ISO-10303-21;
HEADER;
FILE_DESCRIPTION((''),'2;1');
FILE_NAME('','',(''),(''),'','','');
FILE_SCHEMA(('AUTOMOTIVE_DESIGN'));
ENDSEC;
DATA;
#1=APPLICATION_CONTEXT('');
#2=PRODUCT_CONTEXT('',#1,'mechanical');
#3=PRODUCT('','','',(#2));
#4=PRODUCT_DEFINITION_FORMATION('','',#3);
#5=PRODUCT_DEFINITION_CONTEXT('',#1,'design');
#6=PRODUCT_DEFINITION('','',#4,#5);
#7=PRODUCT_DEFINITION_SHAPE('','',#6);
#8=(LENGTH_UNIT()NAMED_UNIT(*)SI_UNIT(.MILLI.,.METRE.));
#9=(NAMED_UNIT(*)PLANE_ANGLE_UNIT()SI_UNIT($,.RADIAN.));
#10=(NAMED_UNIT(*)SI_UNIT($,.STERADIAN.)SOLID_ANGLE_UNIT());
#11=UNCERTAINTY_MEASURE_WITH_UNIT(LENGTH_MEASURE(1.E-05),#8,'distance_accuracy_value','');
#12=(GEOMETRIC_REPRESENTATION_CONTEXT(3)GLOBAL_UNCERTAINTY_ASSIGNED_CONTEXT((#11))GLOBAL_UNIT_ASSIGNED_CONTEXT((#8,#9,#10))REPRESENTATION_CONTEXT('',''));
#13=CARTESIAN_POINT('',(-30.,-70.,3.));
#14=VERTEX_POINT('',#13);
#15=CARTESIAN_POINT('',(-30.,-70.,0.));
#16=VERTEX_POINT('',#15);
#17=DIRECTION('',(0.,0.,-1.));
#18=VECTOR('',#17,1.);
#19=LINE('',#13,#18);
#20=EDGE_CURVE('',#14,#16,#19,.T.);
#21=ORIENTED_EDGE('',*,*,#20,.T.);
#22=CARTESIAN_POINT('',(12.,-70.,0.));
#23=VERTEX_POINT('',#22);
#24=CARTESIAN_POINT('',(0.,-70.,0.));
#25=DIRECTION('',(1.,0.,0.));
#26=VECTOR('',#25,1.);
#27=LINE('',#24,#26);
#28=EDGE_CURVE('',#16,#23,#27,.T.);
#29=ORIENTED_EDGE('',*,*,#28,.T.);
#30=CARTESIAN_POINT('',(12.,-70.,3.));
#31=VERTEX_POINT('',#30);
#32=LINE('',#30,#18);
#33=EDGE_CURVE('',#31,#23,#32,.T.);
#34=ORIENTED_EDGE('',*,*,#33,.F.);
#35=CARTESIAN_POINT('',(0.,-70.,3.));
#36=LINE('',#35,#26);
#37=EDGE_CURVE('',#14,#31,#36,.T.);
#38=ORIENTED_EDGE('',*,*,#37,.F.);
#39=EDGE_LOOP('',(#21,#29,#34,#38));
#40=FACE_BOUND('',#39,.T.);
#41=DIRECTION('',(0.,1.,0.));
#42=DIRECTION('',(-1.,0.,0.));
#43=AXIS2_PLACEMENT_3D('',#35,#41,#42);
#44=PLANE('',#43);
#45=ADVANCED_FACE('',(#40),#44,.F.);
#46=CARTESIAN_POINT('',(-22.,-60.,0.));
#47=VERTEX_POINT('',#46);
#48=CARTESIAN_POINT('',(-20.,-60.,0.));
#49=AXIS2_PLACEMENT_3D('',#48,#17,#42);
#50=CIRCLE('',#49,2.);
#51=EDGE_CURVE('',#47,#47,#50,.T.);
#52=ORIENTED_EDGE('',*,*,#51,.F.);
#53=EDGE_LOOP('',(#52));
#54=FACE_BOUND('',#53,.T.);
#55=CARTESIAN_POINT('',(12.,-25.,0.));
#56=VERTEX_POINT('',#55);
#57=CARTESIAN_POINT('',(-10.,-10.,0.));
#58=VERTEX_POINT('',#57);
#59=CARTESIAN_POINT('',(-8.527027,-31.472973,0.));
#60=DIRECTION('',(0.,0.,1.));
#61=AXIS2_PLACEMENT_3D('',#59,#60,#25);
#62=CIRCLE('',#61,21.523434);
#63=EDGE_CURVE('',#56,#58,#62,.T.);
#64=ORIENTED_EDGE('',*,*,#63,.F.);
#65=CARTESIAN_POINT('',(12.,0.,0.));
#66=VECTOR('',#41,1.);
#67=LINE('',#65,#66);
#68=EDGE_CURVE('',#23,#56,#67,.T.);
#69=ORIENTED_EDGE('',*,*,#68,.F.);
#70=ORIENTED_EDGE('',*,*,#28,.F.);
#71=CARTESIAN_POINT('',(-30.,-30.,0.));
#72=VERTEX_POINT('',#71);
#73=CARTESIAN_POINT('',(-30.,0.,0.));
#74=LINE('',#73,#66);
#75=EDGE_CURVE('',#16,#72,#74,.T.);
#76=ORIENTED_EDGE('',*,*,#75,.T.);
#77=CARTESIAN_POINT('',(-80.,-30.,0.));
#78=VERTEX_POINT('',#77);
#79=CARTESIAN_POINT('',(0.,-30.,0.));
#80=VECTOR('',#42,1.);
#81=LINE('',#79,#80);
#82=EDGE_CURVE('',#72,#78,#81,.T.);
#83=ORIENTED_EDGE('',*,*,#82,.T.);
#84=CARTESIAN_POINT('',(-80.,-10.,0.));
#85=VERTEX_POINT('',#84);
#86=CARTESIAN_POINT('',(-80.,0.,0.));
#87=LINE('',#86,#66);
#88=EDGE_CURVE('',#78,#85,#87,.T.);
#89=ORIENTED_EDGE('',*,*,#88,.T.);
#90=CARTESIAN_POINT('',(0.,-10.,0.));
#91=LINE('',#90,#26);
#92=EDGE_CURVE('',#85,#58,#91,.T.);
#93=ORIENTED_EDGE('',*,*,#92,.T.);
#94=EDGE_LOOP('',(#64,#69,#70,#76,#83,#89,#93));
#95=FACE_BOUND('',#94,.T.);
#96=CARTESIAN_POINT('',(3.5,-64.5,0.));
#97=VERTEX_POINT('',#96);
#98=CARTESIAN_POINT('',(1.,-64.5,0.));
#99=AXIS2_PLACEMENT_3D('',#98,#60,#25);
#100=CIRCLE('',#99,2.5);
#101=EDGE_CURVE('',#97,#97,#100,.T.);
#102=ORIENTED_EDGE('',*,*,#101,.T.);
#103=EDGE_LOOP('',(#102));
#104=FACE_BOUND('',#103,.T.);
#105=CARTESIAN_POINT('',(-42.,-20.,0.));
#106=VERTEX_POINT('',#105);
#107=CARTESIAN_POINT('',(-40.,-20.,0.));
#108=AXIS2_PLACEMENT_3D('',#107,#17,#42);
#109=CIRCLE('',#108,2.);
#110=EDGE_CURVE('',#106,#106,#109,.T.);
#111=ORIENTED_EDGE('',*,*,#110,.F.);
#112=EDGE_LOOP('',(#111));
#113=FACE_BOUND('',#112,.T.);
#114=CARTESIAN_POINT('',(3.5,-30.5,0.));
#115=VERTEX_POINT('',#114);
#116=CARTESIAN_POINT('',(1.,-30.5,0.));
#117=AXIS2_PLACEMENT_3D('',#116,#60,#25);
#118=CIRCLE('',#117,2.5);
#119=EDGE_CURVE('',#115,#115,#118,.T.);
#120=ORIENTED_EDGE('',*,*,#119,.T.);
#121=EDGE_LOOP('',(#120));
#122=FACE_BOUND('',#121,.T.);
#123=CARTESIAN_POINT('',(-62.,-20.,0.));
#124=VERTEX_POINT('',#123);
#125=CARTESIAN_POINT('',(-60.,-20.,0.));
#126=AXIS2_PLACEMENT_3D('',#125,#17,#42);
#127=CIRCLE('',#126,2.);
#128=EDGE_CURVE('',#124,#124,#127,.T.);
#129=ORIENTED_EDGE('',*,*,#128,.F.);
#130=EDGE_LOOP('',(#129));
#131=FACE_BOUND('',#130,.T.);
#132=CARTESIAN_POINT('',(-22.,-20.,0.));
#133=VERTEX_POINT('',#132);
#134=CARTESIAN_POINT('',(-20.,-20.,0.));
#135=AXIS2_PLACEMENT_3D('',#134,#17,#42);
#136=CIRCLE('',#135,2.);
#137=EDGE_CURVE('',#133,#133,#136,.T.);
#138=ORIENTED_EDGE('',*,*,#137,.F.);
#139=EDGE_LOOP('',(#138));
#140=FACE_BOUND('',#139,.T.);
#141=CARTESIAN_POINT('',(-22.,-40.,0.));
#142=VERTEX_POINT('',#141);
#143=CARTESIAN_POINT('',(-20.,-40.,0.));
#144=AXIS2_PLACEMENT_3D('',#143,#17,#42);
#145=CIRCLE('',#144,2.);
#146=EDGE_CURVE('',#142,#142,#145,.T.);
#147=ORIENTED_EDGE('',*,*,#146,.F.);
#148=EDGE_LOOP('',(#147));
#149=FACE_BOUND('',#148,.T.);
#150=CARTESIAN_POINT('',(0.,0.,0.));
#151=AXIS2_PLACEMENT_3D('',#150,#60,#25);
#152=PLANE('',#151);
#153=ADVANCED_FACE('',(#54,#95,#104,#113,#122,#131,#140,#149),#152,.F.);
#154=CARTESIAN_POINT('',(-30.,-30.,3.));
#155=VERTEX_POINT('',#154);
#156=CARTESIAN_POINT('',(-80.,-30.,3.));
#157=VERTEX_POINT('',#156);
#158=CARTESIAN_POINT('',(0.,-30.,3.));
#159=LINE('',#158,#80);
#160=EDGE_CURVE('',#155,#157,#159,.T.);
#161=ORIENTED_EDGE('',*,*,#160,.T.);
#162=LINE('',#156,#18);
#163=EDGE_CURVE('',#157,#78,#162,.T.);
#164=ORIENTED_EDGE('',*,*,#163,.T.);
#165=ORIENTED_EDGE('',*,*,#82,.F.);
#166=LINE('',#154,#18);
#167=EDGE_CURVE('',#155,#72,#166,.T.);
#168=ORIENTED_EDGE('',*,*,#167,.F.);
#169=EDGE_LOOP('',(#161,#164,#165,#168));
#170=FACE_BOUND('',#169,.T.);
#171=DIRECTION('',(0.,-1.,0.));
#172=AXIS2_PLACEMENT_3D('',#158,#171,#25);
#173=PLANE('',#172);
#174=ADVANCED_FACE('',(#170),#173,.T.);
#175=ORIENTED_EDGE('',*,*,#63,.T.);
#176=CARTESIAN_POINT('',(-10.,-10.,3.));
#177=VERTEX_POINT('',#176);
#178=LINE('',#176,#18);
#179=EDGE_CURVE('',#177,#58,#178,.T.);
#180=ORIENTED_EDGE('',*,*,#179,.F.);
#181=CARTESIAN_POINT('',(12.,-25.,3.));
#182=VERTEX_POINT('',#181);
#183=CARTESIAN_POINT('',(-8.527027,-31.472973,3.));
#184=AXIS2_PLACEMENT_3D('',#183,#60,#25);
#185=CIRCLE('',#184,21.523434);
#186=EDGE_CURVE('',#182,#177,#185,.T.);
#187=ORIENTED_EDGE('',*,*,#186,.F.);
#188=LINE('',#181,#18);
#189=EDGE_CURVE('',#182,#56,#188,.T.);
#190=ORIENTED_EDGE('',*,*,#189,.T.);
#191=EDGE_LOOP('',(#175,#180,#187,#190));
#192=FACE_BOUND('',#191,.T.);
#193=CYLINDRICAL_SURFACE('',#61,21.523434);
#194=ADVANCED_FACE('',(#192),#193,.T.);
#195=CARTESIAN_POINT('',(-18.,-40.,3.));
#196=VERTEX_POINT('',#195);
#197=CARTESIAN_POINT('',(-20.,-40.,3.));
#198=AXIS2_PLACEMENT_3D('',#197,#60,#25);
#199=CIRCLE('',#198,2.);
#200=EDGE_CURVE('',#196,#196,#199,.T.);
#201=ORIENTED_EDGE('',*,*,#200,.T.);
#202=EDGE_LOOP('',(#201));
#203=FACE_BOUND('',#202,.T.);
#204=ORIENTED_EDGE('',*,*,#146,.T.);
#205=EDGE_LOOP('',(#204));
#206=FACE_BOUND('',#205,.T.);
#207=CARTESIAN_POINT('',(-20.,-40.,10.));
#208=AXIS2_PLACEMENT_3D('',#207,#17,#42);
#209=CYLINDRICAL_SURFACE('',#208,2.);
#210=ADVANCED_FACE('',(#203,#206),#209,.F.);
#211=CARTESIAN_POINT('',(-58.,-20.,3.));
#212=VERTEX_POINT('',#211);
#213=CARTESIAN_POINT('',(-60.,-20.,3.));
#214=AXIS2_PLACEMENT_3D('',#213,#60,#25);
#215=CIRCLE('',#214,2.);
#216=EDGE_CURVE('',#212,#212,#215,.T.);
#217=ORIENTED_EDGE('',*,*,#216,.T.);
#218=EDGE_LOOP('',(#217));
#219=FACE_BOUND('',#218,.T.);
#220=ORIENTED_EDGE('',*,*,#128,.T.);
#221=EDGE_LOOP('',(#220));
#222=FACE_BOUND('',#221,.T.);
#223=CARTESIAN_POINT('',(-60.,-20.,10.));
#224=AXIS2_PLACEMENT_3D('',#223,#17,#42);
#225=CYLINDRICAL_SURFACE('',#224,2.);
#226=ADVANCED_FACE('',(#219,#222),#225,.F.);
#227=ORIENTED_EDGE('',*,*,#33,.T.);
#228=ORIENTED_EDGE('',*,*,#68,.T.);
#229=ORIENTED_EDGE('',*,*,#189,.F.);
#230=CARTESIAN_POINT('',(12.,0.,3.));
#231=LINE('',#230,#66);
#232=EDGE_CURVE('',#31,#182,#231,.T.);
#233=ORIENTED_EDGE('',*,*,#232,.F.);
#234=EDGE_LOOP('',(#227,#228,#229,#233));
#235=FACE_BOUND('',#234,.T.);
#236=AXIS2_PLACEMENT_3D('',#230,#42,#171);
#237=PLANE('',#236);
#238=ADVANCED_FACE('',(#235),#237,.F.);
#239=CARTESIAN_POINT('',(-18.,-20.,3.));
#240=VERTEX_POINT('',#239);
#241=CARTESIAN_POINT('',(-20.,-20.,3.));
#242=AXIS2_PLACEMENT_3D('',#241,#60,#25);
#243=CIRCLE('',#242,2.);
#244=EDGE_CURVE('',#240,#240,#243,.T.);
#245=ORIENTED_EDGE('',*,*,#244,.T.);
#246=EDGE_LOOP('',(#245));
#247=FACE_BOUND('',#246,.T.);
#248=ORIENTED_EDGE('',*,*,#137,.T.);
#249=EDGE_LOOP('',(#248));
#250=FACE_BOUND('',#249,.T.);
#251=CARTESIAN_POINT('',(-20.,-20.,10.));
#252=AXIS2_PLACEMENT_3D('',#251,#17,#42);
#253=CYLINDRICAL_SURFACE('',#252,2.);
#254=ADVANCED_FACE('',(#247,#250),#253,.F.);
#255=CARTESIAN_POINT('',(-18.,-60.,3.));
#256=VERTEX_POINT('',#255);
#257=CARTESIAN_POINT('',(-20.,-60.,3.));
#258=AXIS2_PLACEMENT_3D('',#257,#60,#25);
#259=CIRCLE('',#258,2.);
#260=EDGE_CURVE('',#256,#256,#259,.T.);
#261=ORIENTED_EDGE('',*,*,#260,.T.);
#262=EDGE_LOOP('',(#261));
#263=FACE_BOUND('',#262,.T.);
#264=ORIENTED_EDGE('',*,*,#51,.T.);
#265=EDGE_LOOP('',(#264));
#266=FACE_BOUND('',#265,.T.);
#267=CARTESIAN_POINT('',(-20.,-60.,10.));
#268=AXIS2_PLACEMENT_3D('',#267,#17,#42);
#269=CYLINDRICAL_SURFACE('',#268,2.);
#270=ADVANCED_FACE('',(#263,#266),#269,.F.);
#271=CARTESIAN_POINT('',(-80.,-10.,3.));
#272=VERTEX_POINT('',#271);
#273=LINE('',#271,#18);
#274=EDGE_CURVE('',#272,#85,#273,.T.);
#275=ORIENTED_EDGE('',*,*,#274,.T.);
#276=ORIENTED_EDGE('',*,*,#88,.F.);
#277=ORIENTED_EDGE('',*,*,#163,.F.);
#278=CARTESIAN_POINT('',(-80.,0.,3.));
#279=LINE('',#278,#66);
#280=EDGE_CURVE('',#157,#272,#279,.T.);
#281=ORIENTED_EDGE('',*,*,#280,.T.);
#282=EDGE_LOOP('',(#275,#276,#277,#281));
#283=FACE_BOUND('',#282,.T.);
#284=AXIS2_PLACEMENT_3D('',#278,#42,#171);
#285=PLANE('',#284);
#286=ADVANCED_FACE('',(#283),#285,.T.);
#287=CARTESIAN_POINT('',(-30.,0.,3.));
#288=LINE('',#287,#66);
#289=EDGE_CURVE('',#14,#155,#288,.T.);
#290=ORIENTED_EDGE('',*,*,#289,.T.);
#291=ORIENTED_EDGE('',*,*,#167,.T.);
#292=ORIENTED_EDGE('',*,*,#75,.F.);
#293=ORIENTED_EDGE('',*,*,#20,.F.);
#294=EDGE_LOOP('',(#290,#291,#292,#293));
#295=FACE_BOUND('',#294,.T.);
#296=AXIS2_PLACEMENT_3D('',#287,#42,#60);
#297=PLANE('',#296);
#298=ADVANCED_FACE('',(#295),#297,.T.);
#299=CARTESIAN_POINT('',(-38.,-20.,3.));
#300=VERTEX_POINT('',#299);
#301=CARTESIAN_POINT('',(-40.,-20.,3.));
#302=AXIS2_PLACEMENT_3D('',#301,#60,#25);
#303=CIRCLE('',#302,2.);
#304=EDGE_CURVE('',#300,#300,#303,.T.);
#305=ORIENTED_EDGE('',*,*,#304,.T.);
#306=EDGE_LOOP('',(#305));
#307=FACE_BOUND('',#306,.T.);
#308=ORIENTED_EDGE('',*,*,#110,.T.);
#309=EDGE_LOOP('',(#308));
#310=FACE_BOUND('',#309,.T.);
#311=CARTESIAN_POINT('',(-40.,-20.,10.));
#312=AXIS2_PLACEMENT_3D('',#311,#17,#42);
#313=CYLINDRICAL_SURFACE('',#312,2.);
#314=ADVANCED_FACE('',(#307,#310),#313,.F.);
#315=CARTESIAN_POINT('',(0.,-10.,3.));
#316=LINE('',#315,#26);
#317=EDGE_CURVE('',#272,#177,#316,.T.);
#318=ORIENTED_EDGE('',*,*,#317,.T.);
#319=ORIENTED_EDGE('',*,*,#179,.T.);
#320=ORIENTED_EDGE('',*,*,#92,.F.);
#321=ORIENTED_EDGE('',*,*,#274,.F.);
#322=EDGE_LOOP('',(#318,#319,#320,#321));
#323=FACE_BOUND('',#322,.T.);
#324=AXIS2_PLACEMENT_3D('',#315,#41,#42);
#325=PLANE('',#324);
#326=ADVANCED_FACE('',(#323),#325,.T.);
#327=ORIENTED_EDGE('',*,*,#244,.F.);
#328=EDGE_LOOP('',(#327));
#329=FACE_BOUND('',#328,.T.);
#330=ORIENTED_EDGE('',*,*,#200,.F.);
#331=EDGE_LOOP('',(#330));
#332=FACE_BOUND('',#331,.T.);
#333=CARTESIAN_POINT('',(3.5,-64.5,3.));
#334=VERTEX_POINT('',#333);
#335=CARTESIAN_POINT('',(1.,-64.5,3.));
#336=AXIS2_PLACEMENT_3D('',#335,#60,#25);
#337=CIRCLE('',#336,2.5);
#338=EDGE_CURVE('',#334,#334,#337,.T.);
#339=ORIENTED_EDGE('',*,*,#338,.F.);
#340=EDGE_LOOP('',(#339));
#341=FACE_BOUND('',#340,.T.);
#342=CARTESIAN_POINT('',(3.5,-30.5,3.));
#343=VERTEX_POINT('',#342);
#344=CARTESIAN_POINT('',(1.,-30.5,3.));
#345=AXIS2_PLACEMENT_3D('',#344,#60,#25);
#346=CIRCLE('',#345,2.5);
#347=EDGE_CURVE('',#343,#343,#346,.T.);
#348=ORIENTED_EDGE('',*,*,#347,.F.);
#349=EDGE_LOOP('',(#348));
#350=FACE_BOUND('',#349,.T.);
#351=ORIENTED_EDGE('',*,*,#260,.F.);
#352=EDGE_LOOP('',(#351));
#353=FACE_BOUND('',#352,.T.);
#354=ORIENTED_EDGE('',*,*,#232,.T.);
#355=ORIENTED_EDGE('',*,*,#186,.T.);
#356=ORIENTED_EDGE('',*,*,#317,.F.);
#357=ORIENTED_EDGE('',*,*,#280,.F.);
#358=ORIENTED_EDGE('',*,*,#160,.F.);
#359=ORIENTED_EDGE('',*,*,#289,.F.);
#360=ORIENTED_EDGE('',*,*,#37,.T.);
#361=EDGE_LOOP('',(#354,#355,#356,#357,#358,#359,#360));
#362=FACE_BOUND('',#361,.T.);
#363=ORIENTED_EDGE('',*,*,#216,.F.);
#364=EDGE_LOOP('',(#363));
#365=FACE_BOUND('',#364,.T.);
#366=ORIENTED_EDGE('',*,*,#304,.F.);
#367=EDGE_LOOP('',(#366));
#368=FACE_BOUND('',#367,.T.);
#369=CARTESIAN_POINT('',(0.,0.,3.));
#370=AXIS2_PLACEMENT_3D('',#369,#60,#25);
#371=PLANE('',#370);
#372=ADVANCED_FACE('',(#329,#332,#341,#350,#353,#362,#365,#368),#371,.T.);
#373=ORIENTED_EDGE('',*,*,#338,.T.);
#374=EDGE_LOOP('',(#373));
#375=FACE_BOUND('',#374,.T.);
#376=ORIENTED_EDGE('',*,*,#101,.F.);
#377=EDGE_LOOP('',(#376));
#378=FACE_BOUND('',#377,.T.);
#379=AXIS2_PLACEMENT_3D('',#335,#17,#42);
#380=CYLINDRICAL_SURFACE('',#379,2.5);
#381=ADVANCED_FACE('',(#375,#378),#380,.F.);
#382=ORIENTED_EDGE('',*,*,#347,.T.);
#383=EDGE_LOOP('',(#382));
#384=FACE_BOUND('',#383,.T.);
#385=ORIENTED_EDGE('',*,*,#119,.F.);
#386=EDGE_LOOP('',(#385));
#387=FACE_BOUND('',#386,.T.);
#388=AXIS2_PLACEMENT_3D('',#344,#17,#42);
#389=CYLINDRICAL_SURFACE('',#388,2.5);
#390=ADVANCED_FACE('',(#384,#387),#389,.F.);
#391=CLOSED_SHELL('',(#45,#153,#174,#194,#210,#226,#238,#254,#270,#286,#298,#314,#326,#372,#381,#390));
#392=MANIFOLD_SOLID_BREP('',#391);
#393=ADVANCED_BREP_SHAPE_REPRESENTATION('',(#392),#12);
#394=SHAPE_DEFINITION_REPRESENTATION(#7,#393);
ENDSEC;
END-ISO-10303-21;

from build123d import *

# Parameters (mm, degrees)
SKETCH_1_W          = 20
SKETCH_1_H          = 40
SKETCH_1_W_2        = 50
SKETCH_1_H_2        = 20
EXTRUDE_1_DEPTH     = 3
SKETCH_2_R          = 2
CUT_EXTRUDE_1_DEPTH = 10
EXTRUDE_2_DEPTH     = 3


with BuildPart() as part:
    # 草图1 → 凸台-拉伸1 (new body)
    with BuildSketch(Plane.XY):
        with Locations((-20, -50)):
            Rectangle(SKETCH_1_W, SKETCH_1_H)
        with BuildLine():
            Line((-10, -30), (-10, -70))
            Line((-10, -70), (1, -70))
            Line((1, -70), (1, -67))
            ThreePointArc((1, -67), (-1.5, -64.5), (1, -62))
            Line((1, -62), (1, -33))
            ThreePointArc((1, -33), (-0.947653554, -32.067369017), (-1.442153468, -29.965316507))
            ThreePointArc((-1.442153468, -29.965316507), (-5.782490578, -29.437438793), (-10, -28.284271247))
            Line((-10, -28.284271247), (-10, -30))
        make_face()
        with BuildLine():
            Line((1, -67), (1, -70))
            Line((1, -70), (12, -70))
            Line((12, -70), (12, -27.49545417))
            ThreePointArc((12, -27.49545417), (7.787152469, -28.971714765), (3.401885012, -29.806495573))
            ThreePointArc((3.401885012, -29.806495573), (3.475349726, -30.149794724), (3.5, -30.5))
            ThreePointArc((3.5, -30.5), (2.767766953, -32.267766953), (1, -33))
            Line((1, -33), (1, -62))
            ThreePointArc((1, -62), (2.767766953, -62.732233047), (3.5, -64.5))
            ThreePointArc((3.5, -64.5), (2.767766953, -66.267766953), (1, -67))
        make_face()
        with BuildLine():
            Line((-10, -25), (-10, -28.284271247))
            ThreePointArc((-10, -28.284271247), (-5.782490578, -29.437438793), (-1.442153468, -29.965316507))
            ThreePointArc((-1.442153468, -29.965316507), (-0.567369017, -28.552346446), (1, -28))
            Line((1, -28), (1, -25))
            Line((1, -25), (-10, -25))
        make_face()
        with BuildLine():
            ThreePointArc((3.401885012, -29.806495573), (7.787152469, -28.971714765), (12, -27.49545417))
            Line((12, -27.49545417), (12, -25))
            Line((12, -25), (1, -25))
            Line((1, -25), (1, -28))
            ThreePointArc((1, -28), (2.502704052, -28.502030898), (3.401885012, -29.806495573))
        make_face()
        with BuildLine():
            Line((-30, -10), (-30, -30))
            Line((-30, -30), (-10, -30))
            Line((-10, -30), (-10, -28.284271247))
            ThreePointArc((-10, -28.284271247), (-21.213203436, -21.213203436), (-28.284271247, -10))
            Line((-28.284271247, -10), (-30, -10))
        make_face()
        with BuildLine():
            ThreePointArc((-28.284271247, -10), (-21.213203436, -21.213203436), (-10, -28.284271247))
            Line((-10, -28.284271247), (-10, -25))
            Line((-10, -25), (-10, -10))
            Line((-10, -10), (-28.284271247, -10))
        make_face()
        with Locations((-55, -20)):
            Rectangle(SKETCH_1_W_2, SKETCH_1_H_2)
    extrude(amount=EXTRUDE_1_DEPTH)

    # 草图2 → 切除-拉伸1 (cut)
    with BuildSketch(Plane(origin=(0, 0, 0), x_dir=(-1, 0, 0), z_dir=(0, 0, -1))):
        with Locations((20, -40)):
            Circle(SKETCH_2_R)
        with Locations((40, -20)):
            Circle(SKETCH_2_R)
        with Locations((20, -20)):
            Circle(SKETCH_2_R)
        with Locations((20, -60)):
            Circle(SKETCH_2_R)
        with Locations((60, -20)):
            Circle(SKETCH_2_R)
    extrude(amount=-CUT_EXTRUDE_1_DEPTH, mode=Mode.SUBTRACT)

    # 草图3 → 凸台-拉伸2 (add)
    with BuildSketch(Plane.XY.offset(3)):
        with BuildLine():
            Line((-10, -25), (12, -25))
            ThreePointArc((12, -25), (3.597916023, -13.689723166), (-10, -10))
            Line((-10, -10), (-10, -25))
        make_face()
    extrude(amount=-EXTRUDE_2_DEPTH)


solid = part.part
